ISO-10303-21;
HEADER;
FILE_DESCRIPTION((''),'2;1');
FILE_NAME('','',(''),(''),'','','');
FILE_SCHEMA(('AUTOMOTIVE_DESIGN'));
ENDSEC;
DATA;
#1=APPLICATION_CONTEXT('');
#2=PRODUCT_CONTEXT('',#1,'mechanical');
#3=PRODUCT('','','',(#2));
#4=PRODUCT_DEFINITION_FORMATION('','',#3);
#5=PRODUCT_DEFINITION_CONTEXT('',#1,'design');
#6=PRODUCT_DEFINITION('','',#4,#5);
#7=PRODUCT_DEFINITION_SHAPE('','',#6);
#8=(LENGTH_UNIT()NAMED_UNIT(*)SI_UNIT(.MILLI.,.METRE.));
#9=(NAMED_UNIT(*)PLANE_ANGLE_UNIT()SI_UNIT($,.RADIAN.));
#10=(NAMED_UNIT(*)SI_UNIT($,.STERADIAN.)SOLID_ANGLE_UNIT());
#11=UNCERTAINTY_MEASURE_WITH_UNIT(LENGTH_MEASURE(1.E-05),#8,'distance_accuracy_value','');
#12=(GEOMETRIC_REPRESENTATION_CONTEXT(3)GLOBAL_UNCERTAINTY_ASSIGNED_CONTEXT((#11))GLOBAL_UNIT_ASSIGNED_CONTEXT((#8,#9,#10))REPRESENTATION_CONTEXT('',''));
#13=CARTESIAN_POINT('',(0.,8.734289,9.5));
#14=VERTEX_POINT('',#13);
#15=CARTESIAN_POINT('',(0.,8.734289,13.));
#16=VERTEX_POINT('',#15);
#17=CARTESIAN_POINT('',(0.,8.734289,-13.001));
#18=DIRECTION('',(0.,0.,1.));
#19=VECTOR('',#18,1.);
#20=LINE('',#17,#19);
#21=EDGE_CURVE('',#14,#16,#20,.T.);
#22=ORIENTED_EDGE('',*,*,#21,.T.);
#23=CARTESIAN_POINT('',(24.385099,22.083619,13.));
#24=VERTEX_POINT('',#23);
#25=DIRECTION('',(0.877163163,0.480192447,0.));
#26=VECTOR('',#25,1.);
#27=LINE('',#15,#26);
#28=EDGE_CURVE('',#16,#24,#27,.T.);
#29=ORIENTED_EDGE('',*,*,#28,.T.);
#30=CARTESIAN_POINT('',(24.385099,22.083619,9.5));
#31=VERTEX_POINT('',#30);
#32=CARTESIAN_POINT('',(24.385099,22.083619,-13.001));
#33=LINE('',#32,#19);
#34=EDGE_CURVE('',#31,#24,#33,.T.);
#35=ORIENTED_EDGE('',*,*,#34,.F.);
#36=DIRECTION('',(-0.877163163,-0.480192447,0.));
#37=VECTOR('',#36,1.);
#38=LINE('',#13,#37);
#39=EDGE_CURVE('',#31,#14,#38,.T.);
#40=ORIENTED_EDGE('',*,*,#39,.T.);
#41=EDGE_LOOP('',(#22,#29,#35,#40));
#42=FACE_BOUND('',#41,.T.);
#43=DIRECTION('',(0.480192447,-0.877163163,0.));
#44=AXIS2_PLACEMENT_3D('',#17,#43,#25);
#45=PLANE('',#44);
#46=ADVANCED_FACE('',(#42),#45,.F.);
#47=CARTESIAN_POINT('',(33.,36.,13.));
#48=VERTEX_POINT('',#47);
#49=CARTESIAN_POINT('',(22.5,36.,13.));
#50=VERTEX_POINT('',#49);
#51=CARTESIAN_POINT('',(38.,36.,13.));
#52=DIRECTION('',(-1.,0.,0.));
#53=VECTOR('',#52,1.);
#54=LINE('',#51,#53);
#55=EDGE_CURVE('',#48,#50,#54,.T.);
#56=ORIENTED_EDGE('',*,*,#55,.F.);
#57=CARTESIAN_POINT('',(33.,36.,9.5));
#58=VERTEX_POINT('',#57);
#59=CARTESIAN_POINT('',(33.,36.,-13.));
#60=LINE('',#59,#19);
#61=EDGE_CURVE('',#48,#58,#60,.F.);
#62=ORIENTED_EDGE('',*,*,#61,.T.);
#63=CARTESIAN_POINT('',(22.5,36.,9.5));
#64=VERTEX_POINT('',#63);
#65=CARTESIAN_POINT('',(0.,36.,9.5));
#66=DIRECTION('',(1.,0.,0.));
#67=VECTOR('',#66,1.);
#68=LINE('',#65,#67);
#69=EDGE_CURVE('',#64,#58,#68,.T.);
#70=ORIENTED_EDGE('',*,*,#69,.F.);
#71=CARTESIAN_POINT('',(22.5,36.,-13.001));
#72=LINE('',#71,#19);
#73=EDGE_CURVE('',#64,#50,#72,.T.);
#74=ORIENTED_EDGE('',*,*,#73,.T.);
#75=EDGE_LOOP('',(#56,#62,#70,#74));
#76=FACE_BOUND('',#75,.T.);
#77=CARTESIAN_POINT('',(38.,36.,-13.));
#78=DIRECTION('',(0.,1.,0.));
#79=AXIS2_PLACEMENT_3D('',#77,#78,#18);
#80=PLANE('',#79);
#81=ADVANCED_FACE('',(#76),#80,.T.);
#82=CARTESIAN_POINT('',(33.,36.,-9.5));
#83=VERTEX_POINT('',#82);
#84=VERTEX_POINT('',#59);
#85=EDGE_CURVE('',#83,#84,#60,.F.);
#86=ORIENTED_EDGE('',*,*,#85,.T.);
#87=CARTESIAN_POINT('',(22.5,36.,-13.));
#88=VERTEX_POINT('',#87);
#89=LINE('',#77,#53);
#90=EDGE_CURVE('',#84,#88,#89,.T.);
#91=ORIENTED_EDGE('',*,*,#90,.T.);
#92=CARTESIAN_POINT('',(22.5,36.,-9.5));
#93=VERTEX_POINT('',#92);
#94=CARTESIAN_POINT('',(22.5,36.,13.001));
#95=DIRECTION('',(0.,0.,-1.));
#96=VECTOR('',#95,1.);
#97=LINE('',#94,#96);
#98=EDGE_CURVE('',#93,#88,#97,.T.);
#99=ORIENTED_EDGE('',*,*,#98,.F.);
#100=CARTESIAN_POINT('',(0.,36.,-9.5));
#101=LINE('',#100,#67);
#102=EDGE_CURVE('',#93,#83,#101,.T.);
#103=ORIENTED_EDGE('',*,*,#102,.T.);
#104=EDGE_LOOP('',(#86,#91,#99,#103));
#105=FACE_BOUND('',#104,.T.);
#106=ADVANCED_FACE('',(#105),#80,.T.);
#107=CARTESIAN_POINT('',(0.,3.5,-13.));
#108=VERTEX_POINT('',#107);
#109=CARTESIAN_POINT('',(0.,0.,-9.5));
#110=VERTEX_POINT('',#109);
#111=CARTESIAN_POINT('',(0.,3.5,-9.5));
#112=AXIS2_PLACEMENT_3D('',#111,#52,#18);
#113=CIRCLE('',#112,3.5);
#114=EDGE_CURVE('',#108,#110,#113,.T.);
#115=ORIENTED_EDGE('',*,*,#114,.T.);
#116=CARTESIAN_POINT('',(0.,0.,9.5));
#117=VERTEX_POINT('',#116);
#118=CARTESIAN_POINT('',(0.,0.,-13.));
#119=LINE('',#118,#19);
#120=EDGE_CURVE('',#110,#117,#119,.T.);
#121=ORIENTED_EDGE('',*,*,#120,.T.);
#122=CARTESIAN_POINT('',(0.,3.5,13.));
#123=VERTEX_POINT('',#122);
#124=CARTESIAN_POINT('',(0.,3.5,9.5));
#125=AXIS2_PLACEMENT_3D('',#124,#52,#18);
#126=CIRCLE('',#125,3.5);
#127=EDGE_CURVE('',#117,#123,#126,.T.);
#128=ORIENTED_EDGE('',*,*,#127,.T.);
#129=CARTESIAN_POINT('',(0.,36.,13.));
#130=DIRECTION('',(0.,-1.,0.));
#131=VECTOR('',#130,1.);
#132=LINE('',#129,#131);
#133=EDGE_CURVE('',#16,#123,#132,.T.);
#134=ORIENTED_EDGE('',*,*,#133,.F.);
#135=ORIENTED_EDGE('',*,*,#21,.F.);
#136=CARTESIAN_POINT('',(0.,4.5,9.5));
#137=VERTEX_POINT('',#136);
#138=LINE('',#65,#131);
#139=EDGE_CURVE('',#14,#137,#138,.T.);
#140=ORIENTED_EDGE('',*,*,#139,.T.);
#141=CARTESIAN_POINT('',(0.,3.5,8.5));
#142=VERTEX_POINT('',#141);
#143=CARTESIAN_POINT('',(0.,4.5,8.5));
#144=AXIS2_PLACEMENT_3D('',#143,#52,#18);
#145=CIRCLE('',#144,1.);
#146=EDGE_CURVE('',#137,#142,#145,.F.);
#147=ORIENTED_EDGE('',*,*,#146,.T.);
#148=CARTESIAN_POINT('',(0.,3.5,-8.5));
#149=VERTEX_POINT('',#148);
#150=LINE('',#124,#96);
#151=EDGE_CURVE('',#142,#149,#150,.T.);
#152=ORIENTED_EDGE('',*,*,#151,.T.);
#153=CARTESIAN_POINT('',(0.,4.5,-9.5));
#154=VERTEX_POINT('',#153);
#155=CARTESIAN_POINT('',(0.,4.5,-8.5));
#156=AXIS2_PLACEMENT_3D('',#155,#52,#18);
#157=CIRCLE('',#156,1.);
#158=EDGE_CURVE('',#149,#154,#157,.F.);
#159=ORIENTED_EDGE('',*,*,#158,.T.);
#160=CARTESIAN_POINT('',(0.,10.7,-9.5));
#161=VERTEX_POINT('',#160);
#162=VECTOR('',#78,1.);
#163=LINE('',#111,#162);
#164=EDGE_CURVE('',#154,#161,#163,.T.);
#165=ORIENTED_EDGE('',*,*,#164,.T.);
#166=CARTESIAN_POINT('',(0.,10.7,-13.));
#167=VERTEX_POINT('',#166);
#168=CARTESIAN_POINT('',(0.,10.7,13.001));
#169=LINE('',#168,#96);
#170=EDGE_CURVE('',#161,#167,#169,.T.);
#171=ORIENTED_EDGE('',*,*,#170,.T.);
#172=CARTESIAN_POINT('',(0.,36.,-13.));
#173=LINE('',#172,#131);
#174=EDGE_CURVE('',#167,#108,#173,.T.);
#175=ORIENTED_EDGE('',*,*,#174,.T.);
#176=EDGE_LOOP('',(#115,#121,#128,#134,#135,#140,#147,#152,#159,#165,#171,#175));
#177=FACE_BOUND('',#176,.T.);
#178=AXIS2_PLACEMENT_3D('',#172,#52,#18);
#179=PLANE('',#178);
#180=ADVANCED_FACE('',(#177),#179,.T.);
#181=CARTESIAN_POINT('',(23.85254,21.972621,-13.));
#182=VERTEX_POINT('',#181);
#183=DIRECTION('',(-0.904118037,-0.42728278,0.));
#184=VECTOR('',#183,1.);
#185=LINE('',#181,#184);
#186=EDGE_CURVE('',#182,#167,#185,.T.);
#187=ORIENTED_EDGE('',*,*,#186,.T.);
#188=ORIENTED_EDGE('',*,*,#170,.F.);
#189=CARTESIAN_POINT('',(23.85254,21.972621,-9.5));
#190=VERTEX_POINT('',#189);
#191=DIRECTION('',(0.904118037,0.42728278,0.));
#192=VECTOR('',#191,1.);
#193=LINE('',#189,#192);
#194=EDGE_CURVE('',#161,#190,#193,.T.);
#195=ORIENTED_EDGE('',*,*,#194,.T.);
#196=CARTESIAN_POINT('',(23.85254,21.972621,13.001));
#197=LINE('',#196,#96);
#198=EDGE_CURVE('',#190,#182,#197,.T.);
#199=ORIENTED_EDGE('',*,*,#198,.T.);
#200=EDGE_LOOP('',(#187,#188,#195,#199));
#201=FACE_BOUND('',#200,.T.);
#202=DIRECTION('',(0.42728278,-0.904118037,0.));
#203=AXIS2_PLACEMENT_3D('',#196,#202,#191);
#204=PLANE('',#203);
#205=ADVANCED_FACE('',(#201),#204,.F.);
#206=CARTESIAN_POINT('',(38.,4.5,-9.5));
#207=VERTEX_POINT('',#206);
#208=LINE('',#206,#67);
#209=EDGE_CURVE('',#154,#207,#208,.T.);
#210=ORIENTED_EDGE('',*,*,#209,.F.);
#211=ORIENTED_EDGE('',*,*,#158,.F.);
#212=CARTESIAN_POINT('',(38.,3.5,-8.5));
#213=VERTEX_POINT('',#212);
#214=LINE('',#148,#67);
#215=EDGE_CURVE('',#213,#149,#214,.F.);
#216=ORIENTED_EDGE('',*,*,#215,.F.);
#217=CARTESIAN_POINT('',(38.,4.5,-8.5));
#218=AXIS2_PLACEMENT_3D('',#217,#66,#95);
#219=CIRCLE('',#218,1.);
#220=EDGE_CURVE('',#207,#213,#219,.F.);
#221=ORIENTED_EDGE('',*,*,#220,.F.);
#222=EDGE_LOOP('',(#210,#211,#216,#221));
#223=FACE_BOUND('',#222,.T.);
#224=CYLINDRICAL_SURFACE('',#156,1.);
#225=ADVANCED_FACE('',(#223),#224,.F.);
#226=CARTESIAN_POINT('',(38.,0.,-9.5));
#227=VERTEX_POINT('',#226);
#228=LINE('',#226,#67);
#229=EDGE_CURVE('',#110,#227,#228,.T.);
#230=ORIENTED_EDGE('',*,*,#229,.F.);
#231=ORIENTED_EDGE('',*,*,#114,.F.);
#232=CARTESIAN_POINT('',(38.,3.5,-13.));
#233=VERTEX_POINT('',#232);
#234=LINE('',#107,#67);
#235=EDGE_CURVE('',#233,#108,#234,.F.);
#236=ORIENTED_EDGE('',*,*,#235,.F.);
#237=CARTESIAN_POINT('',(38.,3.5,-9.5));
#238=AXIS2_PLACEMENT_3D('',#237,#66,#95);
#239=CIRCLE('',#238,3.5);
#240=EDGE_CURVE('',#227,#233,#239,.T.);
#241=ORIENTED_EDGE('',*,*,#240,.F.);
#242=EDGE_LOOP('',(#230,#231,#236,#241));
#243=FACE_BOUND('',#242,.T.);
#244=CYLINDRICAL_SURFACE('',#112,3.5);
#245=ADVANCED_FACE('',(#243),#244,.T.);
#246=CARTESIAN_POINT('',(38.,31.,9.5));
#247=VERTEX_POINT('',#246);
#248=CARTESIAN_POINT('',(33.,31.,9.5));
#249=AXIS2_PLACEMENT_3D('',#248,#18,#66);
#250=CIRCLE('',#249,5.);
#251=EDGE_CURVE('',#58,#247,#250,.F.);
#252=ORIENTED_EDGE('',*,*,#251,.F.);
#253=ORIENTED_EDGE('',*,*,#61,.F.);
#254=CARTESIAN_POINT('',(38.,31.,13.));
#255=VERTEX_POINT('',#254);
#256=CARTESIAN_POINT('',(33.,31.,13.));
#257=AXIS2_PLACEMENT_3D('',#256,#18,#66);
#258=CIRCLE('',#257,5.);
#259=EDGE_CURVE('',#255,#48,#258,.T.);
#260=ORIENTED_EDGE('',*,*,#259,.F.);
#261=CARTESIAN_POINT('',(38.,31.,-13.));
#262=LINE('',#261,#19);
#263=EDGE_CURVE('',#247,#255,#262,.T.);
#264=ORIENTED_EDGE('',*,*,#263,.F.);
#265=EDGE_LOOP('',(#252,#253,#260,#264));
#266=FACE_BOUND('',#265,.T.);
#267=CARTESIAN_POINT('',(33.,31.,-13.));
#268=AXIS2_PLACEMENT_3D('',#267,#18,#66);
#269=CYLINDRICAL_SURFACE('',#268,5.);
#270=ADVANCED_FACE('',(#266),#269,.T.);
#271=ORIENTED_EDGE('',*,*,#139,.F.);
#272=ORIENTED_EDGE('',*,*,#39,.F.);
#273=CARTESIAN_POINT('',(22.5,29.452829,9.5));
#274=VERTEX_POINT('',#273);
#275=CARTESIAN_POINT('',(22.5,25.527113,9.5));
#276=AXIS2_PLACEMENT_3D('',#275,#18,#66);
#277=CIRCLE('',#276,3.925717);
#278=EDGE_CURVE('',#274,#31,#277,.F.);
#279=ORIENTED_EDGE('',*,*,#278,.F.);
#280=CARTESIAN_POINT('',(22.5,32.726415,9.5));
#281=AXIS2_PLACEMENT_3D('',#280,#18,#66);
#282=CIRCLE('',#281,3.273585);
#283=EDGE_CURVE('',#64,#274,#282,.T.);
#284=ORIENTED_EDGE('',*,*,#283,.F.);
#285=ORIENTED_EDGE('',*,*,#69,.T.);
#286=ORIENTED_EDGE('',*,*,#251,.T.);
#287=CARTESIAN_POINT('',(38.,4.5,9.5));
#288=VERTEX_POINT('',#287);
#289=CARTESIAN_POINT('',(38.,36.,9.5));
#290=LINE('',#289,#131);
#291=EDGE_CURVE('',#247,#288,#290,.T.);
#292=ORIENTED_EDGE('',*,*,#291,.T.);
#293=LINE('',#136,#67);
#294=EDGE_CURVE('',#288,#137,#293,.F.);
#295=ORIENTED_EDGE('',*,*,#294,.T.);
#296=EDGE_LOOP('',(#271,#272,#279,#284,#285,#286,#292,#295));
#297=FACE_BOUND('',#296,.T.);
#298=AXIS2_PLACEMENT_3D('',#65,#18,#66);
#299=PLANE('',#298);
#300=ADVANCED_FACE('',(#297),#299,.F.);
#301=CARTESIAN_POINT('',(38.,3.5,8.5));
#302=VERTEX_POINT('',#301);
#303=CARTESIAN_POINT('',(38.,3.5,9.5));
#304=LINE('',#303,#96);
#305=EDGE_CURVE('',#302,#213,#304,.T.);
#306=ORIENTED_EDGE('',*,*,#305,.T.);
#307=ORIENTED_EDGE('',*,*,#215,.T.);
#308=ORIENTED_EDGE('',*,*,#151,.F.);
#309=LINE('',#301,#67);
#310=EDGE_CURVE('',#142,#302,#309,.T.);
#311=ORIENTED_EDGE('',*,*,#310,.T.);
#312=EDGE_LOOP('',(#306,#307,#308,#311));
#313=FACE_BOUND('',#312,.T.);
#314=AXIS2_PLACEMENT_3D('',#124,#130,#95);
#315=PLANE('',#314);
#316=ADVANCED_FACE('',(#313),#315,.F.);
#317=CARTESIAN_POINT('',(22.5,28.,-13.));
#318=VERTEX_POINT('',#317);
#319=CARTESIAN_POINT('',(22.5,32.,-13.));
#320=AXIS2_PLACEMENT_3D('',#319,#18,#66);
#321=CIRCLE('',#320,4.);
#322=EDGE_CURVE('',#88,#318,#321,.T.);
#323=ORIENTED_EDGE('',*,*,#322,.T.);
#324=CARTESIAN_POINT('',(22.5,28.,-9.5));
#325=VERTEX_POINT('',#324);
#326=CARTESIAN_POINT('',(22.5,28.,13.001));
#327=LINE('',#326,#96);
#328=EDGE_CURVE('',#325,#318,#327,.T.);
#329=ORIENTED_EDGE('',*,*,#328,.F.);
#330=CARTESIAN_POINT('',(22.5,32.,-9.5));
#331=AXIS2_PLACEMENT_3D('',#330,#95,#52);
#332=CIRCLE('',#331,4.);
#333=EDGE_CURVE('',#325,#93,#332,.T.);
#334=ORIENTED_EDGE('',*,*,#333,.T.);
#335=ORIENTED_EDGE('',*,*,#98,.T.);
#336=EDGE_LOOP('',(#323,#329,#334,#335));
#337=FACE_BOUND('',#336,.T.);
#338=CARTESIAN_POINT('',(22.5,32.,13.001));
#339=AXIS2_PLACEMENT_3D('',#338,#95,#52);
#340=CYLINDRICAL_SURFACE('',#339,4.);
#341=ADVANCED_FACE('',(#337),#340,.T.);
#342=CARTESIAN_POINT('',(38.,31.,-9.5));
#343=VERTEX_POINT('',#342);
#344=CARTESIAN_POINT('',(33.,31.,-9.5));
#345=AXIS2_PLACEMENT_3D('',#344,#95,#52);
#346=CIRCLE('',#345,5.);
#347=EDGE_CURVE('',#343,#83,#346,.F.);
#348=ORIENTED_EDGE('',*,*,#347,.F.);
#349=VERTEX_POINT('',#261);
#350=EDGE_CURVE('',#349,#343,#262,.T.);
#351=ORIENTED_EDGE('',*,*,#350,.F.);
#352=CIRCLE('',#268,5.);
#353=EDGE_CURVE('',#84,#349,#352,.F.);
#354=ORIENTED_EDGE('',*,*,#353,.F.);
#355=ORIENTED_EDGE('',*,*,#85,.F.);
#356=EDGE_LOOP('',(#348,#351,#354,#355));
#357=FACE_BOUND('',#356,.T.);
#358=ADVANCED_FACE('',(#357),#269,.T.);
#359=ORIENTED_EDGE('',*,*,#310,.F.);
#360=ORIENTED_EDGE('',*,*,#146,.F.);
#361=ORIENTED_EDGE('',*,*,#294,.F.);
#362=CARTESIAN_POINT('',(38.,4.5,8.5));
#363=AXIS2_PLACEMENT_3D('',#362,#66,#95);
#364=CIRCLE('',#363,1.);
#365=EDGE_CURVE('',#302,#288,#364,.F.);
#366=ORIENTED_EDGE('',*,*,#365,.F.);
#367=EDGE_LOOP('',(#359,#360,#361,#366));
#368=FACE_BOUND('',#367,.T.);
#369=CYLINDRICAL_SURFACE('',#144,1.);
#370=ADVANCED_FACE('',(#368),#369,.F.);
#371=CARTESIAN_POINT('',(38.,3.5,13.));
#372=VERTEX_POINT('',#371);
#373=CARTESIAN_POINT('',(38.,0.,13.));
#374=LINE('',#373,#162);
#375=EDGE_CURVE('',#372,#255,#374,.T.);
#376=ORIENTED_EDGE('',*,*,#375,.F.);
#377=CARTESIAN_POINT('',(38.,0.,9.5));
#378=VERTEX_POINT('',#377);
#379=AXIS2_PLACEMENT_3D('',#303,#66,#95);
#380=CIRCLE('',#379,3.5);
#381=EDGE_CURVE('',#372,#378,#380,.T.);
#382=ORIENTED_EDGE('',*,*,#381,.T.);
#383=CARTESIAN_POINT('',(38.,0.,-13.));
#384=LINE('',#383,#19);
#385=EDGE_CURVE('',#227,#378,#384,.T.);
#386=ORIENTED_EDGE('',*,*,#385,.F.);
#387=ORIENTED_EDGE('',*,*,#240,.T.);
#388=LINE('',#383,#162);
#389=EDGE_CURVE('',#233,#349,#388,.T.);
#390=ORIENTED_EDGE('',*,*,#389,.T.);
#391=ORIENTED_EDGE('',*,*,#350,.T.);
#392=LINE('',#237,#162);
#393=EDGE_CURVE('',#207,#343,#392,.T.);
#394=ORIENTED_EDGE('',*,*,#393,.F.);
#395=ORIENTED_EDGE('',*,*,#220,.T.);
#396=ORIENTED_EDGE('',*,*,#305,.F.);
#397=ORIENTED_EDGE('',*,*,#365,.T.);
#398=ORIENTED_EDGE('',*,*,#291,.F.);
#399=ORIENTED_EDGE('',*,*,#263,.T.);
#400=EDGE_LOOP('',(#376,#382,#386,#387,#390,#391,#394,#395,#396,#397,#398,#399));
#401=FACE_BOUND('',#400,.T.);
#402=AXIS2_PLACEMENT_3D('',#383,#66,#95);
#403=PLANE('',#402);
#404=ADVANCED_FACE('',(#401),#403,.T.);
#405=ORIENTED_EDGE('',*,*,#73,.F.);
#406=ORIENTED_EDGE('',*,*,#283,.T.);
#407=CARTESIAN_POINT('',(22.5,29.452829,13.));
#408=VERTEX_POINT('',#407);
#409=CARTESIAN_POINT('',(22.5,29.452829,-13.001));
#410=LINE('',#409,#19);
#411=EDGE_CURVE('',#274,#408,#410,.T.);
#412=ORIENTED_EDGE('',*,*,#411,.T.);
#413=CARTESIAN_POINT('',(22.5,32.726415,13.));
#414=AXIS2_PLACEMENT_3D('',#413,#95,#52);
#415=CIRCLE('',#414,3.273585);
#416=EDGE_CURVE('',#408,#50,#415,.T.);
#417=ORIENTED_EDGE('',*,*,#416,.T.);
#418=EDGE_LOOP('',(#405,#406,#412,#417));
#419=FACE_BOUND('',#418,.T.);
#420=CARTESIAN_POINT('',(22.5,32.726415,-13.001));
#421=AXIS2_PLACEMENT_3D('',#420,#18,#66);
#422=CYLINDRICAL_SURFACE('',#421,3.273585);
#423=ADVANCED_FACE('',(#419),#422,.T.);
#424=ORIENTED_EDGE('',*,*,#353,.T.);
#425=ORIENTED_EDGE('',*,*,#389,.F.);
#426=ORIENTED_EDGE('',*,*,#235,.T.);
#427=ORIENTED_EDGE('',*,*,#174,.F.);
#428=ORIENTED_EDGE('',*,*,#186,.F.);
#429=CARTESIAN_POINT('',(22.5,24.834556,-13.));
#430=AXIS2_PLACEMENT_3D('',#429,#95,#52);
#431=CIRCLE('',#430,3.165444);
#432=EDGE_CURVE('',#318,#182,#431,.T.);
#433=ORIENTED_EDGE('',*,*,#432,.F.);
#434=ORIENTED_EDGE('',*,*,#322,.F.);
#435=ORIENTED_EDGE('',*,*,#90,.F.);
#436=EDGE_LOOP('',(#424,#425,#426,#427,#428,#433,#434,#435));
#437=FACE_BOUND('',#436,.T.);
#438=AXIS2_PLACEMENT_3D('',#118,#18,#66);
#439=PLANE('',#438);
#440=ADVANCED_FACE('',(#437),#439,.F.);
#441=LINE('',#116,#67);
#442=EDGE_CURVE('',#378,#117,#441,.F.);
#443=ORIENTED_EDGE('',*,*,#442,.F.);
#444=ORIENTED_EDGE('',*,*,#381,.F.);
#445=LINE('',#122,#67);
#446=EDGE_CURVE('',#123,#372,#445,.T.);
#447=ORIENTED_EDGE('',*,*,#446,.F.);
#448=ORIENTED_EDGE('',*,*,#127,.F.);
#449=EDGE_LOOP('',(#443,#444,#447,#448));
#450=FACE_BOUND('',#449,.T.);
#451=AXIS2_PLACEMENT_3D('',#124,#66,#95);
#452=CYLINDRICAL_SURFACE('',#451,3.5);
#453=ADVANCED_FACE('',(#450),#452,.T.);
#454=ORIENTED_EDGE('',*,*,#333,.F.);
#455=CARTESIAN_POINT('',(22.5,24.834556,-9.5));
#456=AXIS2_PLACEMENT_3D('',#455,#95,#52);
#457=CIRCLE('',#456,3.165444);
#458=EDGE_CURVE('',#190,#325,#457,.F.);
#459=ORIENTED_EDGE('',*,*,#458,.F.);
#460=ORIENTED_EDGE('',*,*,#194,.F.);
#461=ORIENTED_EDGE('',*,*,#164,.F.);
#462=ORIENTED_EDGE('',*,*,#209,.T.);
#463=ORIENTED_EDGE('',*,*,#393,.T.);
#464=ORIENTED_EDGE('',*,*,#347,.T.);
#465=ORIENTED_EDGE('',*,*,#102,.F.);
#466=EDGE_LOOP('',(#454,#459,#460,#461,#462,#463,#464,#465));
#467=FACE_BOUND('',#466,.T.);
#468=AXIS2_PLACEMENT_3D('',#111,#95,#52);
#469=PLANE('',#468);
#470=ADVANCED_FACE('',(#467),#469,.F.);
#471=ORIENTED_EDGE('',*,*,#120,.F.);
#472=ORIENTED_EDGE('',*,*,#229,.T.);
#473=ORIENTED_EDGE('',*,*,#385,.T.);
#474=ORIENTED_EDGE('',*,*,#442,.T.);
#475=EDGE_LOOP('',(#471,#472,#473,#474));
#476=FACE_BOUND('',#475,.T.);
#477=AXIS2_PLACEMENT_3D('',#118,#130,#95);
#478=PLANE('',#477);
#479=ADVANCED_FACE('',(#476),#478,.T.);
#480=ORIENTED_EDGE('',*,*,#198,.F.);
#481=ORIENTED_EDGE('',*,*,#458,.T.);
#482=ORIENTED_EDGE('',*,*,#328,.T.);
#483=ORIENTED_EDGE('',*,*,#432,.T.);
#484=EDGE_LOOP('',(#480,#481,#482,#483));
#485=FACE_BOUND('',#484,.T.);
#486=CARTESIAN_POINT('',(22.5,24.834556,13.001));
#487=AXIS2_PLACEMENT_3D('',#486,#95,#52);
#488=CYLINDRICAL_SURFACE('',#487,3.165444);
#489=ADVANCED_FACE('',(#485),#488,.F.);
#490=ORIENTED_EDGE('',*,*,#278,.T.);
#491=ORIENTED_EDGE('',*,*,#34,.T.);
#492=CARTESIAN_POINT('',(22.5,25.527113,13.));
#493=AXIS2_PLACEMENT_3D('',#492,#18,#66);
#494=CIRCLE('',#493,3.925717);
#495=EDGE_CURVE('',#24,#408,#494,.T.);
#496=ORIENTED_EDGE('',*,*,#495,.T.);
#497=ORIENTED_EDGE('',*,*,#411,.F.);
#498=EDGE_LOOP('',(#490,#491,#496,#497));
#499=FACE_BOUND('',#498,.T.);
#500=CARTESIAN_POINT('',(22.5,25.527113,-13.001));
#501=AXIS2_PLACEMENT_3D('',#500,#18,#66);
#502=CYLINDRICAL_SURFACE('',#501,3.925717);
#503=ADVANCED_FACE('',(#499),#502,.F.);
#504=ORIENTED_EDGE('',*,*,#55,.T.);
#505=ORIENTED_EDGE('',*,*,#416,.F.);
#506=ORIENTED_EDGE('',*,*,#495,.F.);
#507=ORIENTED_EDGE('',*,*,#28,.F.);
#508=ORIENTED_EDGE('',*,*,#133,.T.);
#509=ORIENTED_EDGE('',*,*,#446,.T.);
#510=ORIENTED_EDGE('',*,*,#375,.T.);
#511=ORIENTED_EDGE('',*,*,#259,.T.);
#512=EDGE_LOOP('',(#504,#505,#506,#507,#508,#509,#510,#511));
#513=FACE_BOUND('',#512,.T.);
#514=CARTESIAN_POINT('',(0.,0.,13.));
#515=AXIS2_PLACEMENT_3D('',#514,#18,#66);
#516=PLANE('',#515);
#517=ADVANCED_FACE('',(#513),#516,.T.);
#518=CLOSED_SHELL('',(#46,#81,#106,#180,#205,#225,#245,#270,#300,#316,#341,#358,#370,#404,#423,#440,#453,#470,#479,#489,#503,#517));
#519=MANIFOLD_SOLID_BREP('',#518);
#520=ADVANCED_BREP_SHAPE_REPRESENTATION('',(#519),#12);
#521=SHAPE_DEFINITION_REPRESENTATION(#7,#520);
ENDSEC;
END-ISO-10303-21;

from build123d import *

# Parameters (mm, degrees)
SKETCH1_W           = 38
SKETCH1_H           = 36
BOSS_EXTRUDE1_DEPTH = 26
SKETCH2_W           = 19
SKETCH2_H           = 32.5
CUT_EXTRUDE1_DEPTH  = 54.935146241
CUT_EXTRUDE2_REACH  = 60.447
CUT_EXTRUDE3_REACH  = 60.447
FILLET1_R           = 1
FILLET2_R           = 3.5
FILLET3_R           = 5


with BuildPart() as part:
    # Sketch1 → Boss-Extrude1 (new body)
    with BuildSketch(Plane.XY.offset(13)):
        with Locations((19, 18)):
            Rectangle(SKETCH1_W, SKETCH1_H)
    extrude(amount=-BOSS_EXTRUDE1_DEPTH)

    # Sketch2 → Cut-Extrude1 (cut, through all)
    with BuildSketch(Plane(origin=(38, 0, 0), x_dir=(0, 0, -1), z_dir=(1, 0, 0))):
        with Locations((0, 19.75)):
            Rectangle(SKETCH2_W, SKETCH2_H)
    extrude(amount=-CUT_EXTRUDE1_DEPTH, mode=Mode.SUBTRACT)

    # Sketch3 → Cut-Extrude2 (cut, up to next)
    with BuildSketch(Plane.XY.offset(13), mode=Mode.PRIVATE) as cut_extrude2_sk1:
        with BuildLine():
            Line((22.5, 36), (0, 36))
            Line((0, 36), (0, 8.734288837))
            Line((0, 8.734288837), (24.385099457, 22.083618886))
            ThreePointArc((24.385099457, 22.083618886), (26.303250734, 26.500012997), (22.5, 29.45282947))
            ThreePointArc((22.5, 29.45282947), (19.226414735, 32.726414735), (22.5, 36))
        make_face()
    cut_extrude2_tool1 = extrude(cut_extrude2_sk1.sketch, amount=-CUT_EXTRUDE2_REACH, mode=Mode.PRIVATE) & part.part
    add(cut_extrude2_tool1.solids().sort_by_distance((10.485992, 24.898976, 13))[0], mode=Mode.SUBTRACT)

    # Sketch4 → Cut-Extrude3 (cut, up to next)
    with BuildSketch(Plane(origin=(0, 0, -13), x_dir=(-1, 0, 0), z_dir=(0, 0, -1)), mode=Mode.PRIVATE) as cut_extrude3_sk1:
        with BuildLine():
            Line((-23.85253982, 21.972620507), (0, 10.7))
            Line((0, 10.7), (0, 36))
            Line((0, 36), (-22.5, 36))
            ThreePointArc((-22.5, 36), (-18.5, 32), (-22.5, 28))
            ThreePointArc((-22.5, 28), (-25.588635116, 25.527643349), (-23.85253982, 21.972620507))
        make_face()
    cut_extrude3_tool1 = extrude(cut_extrude3_sk1.sketch, amount=-CUT_EXTRUDE3_REACH, mode=Mode.PRIVATE) & part.part
    add(cut_extrude3_tool1.solids().sort_by_distance((10.140401, 25.382196, -13))[0], mode=Mode.SUBTRACT)

    # Fillet1
    fillet1_edges = [part.edges().sort_by_distance(p)[0] for p in [
        (19, 3.5, -9.5),
        (19, 3.5, 9.5),
    ]]
    fillet(fillet1_edges, radius=FILLET1_R)

    # Fillet2
    fillet2_edges = [part.edges().sort_by_distance(p)[0] for p in [
        (19, 0, -13),
        (19, 0, 13),
    ]]
    fillet(fillet2_edges, radius=FILLET2_R)

    # Fillet3
    fillet3_edges = [part.edges().sort_by_distance(p)[0] for p in [
        (38, 36, 11.25),
        (38, 36, -11.25),
    ]]
    fillet(fillet3_edges, radius=FILLET3_R)


solid = part.part
